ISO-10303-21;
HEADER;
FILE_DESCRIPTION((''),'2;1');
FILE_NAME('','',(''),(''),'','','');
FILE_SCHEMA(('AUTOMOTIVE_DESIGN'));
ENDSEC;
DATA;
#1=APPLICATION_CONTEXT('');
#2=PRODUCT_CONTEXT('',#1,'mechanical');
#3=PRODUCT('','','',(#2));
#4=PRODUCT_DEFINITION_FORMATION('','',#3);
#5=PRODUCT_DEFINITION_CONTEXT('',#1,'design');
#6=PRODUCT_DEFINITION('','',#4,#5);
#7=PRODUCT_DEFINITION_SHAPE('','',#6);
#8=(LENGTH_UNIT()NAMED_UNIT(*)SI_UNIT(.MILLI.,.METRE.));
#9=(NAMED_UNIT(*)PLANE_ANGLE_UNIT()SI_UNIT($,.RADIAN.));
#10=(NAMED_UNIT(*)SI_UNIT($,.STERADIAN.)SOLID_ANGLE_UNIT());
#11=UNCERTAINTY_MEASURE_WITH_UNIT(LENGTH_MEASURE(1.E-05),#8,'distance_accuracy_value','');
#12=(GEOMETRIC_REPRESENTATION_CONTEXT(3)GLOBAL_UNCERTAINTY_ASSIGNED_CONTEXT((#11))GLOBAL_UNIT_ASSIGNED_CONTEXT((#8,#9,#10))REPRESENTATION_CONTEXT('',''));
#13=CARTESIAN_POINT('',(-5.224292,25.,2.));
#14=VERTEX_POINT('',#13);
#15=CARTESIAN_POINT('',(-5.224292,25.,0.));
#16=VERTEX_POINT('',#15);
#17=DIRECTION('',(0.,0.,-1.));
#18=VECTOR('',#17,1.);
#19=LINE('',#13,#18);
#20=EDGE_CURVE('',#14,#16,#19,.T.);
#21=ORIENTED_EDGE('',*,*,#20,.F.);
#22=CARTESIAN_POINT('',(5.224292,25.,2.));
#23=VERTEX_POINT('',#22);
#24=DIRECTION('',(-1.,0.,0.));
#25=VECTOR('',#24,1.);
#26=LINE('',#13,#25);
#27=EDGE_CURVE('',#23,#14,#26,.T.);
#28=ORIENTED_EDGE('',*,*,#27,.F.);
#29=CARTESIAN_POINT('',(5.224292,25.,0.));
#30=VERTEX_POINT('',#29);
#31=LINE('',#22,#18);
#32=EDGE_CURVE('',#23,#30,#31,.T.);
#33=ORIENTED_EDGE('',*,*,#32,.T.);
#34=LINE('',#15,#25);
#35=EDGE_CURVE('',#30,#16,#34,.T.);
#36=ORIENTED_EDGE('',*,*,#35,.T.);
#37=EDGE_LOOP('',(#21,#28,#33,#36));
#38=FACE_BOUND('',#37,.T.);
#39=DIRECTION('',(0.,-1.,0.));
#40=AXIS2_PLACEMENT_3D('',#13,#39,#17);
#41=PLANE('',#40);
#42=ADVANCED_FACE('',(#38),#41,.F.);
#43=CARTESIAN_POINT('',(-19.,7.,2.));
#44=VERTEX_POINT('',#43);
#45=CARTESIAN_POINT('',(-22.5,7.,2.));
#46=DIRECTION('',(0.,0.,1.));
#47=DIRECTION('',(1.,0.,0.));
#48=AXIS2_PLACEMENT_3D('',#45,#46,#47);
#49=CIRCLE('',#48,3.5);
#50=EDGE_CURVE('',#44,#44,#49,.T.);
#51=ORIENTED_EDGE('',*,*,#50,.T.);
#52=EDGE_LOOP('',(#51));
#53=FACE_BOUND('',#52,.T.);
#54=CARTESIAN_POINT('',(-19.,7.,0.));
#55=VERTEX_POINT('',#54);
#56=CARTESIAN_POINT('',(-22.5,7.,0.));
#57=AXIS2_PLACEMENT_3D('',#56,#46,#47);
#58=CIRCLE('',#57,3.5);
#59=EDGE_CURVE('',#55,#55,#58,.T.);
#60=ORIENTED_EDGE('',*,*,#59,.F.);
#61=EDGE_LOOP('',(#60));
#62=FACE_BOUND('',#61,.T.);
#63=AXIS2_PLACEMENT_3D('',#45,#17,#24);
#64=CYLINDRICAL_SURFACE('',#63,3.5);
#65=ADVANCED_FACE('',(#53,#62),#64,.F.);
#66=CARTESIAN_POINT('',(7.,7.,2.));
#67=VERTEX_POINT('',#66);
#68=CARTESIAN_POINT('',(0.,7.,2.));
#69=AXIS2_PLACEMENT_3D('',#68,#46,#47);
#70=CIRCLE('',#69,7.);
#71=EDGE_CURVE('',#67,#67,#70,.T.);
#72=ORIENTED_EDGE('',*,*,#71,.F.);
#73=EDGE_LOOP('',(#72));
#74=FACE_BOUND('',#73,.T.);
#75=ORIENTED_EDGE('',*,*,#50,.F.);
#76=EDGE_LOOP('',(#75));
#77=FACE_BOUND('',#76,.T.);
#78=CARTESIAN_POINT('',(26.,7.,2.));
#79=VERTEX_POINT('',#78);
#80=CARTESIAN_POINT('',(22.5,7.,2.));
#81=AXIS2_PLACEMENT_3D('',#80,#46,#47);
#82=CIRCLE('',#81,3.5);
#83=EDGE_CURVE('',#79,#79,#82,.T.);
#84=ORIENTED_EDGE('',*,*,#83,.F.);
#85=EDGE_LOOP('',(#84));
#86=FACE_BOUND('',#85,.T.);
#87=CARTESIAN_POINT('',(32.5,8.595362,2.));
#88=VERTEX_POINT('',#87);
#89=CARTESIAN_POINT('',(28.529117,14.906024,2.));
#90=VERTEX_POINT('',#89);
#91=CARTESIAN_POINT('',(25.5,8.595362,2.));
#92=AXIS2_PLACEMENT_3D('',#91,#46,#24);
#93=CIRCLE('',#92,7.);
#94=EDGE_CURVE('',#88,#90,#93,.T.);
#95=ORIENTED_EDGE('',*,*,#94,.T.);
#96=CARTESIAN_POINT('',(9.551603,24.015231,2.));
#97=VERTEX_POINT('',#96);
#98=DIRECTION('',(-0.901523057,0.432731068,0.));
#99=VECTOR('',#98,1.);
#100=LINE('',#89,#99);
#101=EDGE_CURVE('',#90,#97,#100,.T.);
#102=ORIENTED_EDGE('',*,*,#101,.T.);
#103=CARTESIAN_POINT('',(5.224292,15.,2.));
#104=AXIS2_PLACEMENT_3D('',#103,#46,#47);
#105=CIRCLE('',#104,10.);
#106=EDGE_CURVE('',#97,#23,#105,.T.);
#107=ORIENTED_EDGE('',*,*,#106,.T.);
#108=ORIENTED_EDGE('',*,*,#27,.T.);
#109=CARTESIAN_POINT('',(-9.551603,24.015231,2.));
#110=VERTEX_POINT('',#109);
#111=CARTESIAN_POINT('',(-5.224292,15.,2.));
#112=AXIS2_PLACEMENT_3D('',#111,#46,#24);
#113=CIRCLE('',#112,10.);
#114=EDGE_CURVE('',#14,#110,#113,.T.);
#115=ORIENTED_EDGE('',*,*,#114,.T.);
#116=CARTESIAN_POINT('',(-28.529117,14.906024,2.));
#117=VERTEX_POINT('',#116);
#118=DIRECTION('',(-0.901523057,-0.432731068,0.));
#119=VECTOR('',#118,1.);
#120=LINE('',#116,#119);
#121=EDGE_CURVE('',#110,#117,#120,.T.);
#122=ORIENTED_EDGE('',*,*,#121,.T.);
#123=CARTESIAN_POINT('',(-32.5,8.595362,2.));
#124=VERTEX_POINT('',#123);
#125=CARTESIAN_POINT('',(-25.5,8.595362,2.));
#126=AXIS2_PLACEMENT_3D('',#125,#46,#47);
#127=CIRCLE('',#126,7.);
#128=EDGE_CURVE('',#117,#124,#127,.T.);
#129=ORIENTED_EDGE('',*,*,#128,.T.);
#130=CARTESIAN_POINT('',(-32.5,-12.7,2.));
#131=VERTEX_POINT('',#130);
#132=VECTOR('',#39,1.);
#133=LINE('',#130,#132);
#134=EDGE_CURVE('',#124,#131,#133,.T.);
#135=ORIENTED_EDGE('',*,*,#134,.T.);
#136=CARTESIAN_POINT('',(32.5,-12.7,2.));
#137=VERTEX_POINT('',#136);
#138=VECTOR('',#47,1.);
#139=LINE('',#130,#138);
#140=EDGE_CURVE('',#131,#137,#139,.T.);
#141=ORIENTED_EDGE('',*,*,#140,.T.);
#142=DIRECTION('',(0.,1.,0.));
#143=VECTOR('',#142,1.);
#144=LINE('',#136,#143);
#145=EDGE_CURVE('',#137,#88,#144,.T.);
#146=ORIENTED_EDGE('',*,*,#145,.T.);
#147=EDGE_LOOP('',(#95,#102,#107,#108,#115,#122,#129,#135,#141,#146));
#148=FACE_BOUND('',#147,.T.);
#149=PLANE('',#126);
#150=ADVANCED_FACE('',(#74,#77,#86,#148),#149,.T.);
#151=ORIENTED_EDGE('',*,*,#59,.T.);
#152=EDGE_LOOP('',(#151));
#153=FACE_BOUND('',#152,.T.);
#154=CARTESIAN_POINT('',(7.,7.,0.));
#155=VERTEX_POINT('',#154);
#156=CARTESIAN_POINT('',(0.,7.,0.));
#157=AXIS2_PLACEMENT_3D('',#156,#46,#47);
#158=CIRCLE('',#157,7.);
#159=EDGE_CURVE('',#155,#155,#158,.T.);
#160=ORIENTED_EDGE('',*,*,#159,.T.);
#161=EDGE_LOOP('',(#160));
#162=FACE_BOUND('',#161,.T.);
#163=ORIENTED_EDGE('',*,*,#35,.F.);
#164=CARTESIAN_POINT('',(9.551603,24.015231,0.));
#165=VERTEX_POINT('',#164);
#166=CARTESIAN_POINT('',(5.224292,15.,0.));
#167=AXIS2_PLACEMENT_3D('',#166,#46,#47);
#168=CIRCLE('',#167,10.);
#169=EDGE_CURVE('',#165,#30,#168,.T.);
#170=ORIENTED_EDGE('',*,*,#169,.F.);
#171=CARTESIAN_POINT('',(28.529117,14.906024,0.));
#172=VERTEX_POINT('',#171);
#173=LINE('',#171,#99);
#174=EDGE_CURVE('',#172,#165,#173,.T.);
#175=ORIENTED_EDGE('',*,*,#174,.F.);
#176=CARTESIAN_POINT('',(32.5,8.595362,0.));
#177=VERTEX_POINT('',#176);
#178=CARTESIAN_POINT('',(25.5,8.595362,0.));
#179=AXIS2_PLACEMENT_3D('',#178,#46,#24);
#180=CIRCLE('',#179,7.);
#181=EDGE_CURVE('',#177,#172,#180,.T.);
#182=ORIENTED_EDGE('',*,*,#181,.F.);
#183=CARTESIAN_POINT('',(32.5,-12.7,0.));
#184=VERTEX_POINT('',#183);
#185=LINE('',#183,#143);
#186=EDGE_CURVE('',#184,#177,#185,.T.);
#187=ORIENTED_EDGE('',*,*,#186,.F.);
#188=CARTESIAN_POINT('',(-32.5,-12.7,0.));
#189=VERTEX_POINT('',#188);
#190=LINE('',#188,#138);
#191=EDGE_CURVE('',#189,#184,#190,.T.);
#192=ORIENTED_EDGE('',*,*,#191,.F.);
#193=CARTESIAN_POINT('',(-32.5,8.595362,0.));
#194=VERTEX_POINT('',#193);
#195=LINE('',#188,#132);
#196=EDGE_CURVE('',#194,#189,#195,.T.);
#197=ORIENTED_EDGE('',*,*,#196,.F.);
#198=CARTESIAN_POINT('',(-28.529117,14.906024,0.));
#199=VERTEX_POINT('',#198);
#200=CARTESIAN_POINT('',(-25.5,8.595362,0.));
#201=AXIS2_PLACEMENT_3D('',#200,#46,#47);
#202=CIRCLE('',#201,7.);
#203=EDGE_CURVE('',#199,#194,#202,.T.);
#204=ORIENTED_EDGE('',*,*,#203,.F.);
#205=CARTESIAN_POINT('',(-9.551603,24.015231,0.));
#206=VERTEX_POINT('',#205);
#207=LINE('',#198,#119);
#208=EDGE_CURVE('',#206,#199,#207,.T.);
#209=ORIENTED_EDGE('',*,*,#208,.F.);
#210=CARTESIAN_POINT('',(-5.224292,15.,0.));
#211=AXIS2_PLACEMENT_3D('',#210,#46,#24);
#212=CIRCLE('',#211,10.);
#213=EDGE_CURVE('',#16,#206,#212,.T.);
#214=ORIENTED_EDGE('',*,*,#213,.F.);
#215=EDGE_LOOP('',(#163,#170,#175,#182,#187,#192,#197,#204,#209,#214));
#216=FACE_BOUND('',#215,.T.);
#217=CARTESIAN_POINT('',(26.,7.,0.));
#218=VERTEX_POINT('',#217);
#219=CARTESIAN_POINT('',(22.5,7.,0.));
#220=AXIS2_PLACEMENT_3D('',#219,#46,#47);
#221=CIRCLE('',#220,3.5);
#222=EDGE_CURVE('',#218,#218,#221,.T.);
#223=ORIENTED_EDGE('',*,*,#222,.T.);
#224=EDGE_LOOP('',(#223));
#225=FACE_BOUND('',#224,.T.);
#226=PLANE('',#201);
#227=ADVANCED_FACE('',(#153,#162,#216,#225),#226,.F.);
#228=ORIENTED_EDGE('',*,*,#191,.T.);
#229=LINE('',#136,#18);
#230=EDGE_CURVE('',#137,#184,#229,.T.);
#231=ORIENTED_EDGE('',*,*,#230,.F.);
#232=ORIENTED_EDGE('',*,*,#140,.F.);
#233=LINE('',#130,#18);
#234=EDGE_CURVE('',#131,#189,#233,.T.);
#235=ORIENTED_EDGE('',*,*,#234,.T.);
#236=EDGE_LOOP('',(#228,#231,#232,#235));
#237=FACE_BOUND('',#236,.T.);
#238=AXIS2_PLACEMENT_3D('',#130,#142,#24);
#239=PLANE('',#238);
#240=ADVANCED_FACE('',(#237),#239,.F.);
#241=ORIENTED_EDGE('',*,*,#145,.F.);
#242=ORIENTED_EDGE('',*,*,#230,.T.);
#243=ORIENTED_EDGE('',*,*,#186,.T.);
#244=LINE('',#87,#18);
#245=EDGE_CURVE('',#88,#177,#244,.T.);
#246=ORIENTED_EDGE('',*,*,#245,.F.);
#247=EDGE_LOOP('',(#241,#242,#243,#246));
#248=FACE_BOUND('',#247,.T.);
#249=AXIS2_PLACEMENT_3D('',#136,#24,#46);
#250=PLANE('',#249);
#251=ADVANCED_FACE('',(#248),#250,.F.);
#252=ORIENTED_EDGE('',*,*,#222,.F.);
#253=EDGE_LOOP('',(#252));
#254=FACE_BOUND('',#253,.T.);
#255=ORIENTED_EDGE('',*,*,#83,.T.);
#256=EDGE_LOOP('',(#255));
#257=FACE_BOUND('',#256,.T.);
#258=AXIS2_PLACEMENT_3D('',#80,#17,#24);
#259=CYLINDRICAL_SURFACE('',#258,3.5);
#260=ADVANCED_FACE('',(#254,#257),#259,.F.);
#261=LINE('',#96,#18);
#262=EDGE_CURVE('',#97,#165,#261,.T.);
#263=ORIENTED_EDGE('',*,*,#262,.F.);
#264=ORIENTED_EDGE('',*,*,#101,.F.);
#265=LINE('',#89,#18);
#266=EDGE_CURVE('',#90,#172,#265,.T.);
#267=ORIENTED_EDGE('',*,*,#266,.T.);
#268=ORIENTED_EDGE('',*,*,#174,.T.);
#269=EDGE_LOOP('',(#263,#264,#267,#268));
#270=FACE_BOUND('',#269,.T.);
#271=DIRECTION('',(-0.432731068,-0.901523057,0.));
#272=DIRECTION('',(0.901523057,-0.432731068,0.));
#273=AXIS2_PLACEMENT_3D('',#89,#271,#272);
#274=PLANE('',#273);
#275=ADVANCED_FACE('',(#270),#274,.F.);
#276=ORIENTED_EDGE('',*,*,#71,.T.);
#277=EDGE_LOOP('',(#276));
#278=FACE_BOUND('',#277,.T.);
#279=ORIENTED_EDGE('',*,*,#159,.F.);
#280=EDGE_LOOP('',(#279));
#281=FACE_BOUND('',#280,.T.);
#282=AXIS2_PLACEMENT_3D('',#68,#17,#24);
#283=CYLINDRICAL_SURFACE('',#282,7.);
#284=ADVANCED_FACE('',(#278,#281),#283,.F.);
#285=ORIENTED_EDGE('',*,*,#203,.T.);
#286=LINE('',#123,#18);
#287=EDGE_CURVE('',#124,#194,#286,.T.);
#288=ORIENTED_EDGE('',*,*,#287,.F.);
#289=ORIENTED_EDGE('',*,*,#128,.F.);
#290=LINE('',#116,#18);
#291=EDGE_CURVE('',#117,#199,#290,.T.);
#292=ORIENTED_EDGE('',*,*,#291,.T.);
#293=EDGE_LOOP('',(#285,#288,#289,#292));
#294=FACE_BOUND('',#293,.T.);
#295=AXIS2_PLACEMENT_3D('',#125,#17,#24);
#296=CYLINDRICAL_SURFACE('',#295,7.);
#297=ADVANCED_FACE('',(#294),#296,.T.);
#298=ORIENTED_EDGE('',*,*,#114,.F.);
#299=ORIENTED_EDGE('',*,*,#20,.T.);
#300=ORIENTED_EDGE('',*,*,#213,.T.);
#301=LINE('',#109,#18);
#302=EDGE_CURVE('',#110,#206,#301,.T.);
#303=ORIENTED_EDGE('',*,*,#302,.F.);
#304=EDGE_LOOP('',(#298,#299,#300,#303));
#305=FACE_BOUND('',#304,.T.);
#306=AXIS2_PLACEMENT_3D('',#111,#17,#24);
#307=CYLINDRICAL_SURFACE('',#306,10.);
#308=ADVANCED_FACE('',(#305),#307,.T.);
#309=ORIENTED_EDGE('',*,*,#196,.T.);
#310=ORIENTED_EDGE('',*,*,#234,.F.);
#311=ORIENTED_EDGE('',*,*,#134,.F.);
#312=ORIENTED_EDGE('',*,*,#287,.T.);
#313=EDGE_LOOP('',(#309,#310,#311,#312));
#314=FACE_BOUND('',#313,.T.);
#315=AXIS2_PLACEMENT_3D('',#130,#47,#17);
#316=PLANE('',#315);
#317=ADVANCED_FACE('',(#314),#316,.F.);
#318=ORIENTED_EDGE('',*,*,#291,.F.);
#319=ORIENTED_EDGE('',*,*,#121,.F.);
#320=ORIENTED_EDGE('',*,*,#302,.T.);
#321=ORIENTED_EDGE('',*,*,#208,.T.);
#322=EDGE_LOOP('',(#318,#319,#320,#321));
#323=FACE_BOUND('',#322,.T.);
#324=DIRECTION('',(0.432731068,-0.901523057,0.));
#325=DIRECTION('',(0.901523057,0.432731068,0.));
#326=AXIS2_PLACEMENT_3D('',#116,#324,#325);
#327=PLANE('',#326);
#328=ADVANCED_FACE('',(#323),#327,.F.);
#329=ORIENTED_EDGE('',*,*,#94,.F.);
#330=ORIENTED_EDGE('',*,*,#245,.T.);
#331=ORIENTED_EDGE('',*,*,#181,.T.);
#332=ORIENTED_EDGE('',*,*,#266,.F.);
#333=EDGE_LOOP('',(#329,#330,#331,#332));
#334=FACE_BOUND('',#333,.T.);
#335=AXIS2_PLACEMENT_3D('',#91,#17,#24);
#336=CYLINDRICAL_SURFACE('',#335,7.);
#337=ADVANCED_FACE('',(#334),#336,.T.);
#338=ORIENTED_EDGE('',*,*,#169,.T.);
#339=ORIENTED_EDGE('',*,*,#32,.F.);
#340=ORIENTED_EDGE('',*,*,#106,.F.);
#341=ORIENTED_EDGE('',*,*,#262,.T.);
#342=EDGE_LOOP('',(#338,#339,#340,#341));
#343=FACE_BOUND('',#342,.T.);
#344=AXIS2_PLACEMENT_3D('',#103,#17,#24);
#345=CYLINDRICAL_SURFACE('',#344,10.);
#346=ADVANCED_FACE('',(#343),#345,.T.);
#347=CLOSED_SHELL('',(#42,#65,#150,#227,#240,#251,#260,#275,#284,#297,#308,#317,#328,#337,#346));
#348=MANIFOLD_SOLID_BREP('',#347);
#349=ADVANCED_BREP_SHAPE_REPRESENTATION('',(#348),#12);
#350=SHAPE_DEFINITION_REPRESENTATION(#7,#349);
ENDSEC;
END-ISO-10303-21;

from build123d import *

# Parameters (mm, degrees)
SKETCH1_R           = 7
SKETCH1_R_2         = 3.5
BOSS_EXTRUDE1_DEPTH = 2


with BuildPart() as part:
    # Sketch1 → Boss-Extrude1 (new body)
    with BuildSketch(Plane.XY):
        with BuildLine():
            Line((-32.5, -12.7), (32.5, -12.7))
            Line((32.5, -12.7), (32.5, 8.595362211))
            ThreePointArc((32.5, 8.595362211), (31.424686587, 12.323376272), (28.529117473, 14.906023613))
            Line((28.529117473, 14.906023613), (9.551602969, 24.015230575))
            ThreePointArc((9.551602969, 24.015230575), (7.443266635, 24.750700122), (5.224292294, 25))
            Line((5.224292294, 25), (-5.224292294, 25))
            ThreePointArc((-5.224292294, 25), (-7.443266635, 24.750700122), (-9.551602969, 24.015230575))
            Line((-9.551602969, 24.015230575), (-28.529117473, 14.906023613))
            ThreePointArc((-28.529117473, 14.906023613), (-31.424686587, 12.323376272), (-32.5, 8.595362211))
            Line((-32.5, 8.595362211), (-32.5, -12.7))
        make_face()
        with Locations((0, 7)):
            Circle(SKETCH1_R, mode=Mode.SUBTRACT)
        with Locations((-22.5, 7)):
            Circle(SKETCH1_R_2, mode=Mode.SUBTRACT)
        with Locations((22.5, 7)):
            Circle(SKETCH1_R_2, mode=Mode.SUBTRACT)
    extrude(amount=BOSS_EXTRUDE1_DEPTH)


solid = part.part
